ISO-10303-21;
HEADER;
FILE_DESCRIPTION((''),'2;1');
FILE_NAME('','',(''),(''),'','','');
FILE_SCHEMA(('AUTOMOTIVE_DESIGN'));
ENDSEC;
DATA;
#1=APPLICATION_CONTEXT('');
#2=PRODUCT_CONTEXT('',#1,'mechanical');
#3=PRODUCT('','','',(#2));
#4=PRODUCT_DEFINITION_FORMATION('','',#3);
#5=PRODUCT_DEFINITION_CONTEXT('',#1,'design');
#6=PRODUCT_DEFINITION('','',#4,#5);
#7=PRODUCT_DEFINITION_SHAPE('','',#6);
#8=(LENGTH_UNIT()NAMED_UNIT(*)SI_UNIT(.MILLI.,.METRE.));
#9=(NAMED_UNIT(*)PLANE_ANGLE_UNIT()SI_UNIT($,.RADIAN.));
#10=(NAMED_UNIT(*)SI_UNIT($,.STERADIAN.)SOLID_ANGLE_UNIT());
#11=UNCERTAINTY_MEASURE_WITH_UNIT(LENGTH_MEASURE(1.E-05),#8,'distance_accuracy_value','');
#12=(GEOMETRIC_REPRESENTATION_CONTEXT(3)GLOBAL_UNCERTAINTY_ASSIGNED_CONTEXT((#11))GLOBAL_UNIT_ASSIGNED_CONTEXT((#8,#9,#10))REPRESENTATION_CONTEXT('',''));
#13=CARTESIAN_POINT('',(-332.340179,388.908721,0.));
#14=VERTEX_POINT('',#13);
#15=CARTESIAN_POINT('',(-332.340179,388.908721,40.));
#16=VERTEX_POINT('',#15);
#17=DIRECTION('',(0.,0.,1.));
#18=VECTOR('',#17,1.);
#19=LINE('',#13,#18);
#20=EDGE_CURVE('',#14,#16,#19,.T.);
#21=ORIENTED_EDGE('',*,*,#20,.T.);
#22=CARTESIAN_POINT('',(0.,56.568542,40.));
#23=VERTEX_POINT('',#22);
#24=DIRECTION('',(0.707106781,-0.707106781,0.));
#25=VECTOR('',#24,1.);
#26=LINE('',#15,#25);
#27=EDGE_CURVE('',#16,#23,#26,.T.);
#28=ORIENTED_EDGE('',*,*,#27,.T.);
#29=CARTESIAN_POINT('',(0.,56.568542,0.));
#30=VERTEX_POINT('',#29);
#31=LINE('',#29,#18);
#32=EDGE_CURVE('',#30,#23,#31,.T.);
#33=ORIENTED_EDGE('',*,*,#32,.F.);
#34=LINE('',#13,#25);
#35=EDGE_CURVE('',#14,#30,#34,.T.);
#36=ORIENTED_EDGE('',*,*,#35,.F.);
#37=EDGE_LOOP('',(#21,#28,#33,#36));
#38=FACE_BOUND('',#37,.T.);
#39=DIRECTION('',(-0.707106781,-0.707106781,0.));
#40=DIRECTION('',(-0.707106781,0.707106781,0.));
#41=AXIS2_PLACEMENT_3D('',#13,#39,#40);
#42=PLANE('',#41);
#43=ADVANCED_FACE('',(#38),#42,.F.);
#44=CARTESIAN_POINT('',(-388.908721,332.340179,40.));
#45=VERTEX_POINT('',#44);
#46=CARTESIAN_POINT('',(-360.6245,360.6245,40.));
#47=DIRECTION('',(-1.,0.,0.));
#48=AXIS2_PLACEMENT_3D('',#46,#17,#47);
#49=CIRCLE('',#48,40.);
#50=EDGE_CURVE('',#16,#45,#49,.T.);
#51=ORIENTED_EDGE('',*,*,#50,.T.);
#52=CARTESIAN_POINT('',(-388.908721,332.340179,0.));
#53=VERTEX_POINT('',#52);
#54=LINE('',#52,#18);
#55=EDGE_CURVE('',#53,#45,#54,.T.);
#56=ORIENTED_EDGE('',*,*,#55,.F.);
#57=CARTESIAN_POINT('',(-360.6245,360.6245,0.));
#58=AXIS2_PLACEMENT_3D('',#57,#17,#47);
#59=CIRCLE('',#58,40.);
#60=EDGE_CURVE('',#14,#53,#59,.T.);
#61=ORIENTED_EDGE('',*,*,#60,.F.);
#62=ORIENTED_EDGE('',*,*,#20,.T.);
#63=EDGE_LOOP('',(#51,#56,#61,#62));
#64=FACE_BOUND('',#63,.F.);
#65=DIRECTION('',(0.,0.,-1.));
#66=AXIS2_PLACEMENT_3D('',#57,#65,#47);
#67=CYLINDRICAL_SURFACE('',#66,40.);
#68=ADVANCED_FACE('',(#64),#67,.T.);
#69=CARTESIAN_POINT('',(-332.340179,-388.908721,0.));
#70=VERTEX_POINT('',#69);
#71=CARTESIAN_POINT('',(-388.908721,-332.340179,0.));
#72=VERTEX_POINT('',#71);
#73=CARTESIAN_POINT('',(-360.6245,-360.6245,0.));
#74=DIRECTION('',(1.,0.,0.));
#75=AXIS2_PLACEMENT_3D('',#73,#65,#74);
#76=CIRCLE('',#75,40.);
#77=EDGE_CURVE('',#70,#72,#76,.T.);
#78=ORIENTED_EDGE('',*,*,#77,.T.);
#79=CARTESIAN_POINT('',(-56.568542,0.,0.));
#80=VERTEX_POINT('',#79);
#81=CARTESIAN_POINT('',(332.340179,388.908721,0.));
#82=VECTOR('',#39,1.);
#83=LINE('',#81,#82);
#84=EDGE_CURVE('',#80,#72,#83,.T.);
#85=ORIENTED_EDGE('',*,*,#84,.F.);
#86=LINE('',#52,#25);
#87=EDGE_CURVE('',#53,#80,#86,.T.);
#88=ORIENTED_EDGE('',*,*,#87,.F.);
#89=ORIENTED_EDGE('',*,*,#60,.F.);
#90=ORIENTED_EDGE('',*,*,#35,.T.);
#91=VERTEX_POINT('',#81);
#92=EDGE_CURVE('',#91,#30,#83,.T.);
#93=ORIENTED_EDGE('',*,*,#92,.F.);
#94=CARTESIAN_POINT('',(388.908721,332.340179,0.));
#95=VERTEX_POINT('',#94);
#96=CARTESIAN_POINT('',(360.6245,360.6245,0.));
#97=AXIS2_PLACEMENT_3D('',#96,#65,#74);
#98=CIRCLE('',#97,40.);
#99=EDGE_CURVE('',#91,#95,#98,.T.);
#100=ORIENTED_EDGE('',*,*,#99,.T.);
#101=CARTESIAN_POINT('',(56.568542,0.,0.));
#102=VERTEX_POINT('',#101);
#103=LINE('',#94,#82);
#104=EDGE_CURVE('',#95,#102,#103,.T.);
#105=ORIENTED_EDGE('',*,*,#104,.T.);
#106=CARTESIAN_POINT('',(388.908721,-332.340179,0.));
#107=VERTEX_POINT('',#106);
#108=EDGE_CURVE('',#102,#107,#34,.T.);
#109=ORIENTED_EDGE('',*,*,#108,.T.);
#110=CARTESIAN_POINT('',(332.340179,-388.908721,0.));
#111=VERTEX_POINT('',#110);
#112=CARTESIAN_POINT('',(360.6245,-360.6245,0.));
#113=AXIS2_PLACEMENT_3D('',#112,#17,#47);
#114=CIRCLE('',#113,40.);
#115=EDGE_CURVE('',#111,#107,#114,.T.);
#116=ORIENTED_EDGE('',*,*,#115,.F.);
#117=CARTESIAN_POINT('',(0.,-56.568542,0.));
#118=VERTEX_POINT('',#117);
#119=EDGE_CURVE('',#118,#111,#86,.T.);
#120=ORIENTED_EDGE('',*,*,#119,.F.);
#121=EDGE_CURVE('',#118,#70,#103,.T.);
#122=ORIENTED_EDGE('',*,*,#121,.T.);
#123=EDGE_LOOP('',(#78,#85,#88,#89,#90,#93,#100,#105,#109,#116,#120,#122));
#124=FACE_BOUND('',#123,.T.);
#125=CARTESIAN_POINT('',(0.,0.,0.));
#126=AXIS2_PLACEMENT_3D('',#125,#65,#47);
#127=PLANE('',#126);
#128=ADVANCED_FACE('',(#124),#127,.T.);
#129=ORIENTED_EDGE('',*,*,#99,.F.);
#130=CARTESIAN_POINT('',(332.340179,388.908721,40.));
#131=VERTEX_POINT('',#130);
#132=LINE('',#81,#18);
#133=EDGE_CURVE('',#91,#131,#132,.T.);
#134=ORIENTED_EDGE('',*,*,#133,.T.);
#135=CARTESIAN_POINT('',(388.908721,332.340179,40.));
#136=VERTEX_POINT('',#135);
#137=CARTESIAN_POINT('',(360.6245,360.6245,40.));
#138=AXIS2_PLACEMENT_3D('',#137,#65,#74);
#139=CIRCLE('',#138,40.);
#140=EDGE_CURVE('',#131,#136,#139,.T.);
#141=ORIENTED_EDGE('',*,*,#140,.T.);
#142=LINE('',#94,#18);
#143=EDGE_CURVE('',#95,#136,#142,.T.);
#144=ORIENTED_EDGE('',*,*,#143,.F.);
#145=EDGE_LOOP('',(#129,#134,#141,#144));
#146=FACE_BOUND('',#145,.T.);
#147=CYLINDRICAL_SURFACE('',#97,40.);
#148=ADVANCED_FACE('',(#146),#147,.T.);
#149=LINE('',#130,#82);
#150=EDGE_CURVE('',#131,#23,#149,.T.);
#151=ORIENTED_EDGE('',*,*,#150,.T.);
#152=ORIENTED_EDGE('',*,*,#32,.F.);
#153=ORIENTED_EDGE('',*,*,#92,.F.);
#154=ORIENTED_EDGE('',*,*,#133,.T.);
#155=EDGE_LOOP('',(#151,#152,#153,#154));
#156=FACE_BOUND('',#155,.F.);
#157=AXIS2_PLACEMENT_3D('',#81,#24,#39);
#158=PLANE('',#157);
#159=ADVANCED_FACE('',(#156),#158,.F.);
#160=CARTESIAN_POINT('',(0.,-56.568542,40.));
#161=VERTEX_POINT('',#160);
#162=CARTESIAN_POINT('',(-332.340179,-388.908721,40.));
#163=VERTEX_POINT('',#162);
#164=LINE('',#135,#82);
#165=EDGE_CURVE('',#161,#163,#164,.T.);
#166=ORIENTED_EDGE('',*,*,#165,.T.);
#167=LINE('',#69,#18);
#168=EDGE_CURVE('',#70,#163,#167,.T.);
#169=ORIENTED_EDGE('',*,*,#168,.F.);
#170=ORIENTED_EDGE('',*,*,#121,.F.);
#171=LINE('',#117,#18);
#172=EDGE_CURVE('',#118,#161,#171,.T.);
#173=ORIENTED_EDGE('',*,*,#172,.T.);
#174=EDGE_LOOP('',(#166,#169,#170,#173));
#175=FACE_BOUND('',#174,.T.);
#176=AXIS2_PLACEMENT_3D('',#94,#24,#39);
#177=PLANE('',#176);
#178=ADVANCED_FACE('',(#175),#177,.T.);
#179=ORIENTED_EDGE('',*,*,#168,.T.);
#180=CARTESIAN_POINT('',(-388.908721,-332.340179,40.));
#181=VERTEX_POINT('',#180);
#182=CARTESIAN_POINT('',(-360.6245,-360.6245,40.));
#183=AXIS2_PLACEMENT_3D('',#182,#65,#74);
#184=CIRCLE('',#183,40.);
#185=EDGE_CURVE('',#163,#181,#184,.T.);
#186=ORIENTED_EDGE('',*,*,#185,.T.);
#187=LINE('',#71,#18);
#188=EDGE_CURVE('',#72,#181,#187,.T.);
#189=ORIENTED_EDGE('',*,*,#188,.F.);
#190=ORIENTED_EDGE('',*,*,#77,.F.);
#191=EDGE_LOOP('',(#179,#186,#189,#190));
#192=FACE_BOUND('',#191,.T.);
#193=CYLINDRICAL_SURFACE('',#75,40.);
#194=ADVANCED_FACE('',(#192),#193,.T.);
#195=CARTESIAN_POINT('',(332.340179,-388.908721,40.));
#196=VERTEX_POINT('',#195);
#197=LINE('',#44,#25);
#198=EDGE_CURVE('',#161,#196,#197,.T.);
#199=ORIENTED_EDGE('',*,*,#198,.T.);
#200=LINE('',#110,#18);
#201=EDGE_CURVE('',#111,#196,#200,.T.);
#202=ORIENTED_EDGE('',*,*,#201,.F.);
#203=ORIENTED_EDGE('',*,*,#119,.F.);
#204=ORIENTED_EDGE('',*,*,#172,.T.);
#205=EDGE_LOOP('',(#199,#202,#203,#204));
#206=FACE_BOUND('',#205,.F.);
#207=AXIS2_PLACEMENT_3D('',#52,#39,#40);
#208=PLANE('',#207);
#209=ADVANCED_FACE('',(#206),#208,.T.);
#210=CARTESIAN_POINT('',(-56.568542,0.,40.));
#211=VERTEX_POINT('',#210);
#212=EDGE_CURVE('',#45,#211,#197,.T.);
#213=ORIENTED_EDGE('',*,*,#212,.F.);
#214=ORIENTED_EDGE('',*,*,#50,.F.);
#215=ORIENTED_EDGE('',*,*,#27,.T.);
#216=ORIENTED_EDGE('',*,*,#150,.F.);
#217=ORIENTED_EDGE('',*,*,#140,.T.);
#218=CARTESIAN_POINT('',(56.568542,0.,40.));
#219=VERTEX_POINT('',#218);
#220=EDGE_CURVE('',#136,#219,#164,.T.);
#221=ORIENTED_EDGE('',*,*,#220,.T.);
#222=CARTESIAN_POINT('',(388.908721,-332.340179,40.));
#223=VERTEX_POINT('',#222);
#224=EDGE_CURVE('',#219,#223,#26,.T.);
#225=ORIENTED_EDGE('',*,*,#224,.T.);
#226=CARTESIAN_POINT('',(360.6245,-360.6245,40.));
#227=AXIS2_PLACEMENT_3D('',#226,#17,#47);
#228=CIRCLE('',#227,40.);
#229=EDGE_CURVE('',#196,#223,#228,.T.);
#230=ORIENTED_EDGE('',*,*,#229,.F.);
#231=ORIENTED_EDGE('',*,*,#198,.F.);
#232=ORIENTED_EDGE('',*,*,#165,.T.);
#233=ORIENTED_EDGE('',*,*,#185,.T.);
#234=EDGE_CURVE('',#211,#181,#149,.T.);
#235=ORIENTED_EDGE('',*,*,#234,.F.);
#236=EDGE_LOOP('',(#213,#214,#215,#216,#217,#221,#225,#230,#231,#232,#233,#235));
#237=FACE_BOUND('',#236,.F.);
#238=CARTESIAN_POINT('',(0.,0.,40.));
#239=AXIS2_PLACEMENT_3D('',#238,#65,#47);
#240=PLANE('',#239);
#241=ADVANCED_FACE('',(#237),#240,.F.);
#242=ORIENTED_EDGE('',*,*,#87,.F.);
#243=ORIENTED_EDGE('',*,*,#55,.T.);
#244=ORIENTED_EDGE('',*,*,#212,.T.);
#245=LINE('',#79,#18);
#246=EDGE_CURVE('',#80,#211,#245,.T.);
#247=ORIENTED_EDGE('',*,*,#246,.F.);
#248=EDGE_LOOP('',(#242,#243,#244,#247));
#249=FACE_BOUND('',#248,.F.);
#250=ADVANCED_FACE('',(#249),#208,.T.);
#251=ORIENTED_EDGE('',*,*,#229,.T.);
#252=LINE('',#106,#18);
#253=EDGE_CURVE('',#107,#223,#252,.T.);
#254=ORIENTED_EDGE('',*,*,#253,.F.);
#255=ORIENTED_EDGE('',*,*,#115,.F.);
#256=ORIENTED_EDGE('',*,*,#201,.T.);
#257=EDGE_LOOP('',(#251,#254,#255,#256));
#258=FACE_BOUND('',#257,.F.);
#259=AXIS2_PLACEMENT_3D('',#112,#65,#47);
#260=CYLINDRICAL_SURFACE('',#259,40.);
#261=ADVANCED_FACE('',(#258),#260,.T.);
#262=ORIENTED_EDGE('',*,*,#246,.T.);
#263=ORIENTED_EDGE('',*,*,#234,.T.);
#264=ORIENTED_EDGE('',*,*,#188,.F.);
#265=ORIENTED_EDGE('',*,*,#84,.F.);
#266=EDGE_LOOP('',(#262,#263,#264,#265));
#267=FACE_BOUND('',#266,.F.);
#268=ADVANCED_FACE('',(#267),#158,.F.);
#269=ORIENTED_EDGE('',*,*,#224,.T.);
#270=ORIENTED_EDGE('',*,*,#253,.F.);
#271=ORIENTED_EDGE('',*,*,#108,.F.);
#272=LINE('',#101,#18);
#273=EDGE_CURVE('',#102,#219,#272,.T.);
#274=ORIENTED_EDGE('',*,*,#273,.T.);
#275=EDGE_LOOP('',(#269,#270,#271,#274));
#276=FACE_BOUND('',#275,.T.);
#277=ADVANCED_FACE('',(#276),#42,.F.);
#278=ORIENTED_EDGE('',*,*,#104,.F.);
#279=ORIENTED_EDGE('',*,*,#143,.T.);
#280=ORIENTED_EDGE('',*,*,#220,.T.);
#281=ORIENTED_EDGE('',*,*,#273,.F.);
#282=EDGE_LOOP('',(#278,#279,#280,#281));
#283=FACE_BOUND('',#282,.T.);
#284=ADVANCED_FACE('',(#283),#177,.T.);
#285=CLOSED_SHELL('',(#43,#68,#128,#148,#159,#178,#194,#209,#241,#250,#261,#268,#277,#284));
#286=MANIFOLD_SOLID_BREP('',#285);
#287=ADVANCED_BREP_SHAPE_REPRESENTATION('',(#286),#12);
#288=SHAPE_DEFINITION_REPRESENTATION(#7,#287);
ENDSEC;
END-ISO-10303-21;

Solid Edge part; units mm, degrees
sketch "Sketch1" plane through (0, 0, 0) normal (0, 0, 1) x (1, 0, 0)
  line L0 (388.9087, 332.3402) -> (-332.3402, -388.9087)
  arc A0 (332.3402, 388.9087) -> (388.9087, 332.3402) centre (360.6245, 360.6245) cw
  line L1 (332.3402, 388.9087) -> (-388.9087, -332.3402)
  arc A1 (-332.3402, -388.9087) -> (-388.9087, -332.3402) centre (-360.6245, -360.6245) cw
  dimension "D1" = 1100
extrude "Protrusion1" add sketch "Sketch1" along normal blind 40
mirror "Mirror1" about plane through (0, 0, 0) normal (1, 0, 0) of "Protrusion1"
properties material "Fe 360 B UNI 7070"
